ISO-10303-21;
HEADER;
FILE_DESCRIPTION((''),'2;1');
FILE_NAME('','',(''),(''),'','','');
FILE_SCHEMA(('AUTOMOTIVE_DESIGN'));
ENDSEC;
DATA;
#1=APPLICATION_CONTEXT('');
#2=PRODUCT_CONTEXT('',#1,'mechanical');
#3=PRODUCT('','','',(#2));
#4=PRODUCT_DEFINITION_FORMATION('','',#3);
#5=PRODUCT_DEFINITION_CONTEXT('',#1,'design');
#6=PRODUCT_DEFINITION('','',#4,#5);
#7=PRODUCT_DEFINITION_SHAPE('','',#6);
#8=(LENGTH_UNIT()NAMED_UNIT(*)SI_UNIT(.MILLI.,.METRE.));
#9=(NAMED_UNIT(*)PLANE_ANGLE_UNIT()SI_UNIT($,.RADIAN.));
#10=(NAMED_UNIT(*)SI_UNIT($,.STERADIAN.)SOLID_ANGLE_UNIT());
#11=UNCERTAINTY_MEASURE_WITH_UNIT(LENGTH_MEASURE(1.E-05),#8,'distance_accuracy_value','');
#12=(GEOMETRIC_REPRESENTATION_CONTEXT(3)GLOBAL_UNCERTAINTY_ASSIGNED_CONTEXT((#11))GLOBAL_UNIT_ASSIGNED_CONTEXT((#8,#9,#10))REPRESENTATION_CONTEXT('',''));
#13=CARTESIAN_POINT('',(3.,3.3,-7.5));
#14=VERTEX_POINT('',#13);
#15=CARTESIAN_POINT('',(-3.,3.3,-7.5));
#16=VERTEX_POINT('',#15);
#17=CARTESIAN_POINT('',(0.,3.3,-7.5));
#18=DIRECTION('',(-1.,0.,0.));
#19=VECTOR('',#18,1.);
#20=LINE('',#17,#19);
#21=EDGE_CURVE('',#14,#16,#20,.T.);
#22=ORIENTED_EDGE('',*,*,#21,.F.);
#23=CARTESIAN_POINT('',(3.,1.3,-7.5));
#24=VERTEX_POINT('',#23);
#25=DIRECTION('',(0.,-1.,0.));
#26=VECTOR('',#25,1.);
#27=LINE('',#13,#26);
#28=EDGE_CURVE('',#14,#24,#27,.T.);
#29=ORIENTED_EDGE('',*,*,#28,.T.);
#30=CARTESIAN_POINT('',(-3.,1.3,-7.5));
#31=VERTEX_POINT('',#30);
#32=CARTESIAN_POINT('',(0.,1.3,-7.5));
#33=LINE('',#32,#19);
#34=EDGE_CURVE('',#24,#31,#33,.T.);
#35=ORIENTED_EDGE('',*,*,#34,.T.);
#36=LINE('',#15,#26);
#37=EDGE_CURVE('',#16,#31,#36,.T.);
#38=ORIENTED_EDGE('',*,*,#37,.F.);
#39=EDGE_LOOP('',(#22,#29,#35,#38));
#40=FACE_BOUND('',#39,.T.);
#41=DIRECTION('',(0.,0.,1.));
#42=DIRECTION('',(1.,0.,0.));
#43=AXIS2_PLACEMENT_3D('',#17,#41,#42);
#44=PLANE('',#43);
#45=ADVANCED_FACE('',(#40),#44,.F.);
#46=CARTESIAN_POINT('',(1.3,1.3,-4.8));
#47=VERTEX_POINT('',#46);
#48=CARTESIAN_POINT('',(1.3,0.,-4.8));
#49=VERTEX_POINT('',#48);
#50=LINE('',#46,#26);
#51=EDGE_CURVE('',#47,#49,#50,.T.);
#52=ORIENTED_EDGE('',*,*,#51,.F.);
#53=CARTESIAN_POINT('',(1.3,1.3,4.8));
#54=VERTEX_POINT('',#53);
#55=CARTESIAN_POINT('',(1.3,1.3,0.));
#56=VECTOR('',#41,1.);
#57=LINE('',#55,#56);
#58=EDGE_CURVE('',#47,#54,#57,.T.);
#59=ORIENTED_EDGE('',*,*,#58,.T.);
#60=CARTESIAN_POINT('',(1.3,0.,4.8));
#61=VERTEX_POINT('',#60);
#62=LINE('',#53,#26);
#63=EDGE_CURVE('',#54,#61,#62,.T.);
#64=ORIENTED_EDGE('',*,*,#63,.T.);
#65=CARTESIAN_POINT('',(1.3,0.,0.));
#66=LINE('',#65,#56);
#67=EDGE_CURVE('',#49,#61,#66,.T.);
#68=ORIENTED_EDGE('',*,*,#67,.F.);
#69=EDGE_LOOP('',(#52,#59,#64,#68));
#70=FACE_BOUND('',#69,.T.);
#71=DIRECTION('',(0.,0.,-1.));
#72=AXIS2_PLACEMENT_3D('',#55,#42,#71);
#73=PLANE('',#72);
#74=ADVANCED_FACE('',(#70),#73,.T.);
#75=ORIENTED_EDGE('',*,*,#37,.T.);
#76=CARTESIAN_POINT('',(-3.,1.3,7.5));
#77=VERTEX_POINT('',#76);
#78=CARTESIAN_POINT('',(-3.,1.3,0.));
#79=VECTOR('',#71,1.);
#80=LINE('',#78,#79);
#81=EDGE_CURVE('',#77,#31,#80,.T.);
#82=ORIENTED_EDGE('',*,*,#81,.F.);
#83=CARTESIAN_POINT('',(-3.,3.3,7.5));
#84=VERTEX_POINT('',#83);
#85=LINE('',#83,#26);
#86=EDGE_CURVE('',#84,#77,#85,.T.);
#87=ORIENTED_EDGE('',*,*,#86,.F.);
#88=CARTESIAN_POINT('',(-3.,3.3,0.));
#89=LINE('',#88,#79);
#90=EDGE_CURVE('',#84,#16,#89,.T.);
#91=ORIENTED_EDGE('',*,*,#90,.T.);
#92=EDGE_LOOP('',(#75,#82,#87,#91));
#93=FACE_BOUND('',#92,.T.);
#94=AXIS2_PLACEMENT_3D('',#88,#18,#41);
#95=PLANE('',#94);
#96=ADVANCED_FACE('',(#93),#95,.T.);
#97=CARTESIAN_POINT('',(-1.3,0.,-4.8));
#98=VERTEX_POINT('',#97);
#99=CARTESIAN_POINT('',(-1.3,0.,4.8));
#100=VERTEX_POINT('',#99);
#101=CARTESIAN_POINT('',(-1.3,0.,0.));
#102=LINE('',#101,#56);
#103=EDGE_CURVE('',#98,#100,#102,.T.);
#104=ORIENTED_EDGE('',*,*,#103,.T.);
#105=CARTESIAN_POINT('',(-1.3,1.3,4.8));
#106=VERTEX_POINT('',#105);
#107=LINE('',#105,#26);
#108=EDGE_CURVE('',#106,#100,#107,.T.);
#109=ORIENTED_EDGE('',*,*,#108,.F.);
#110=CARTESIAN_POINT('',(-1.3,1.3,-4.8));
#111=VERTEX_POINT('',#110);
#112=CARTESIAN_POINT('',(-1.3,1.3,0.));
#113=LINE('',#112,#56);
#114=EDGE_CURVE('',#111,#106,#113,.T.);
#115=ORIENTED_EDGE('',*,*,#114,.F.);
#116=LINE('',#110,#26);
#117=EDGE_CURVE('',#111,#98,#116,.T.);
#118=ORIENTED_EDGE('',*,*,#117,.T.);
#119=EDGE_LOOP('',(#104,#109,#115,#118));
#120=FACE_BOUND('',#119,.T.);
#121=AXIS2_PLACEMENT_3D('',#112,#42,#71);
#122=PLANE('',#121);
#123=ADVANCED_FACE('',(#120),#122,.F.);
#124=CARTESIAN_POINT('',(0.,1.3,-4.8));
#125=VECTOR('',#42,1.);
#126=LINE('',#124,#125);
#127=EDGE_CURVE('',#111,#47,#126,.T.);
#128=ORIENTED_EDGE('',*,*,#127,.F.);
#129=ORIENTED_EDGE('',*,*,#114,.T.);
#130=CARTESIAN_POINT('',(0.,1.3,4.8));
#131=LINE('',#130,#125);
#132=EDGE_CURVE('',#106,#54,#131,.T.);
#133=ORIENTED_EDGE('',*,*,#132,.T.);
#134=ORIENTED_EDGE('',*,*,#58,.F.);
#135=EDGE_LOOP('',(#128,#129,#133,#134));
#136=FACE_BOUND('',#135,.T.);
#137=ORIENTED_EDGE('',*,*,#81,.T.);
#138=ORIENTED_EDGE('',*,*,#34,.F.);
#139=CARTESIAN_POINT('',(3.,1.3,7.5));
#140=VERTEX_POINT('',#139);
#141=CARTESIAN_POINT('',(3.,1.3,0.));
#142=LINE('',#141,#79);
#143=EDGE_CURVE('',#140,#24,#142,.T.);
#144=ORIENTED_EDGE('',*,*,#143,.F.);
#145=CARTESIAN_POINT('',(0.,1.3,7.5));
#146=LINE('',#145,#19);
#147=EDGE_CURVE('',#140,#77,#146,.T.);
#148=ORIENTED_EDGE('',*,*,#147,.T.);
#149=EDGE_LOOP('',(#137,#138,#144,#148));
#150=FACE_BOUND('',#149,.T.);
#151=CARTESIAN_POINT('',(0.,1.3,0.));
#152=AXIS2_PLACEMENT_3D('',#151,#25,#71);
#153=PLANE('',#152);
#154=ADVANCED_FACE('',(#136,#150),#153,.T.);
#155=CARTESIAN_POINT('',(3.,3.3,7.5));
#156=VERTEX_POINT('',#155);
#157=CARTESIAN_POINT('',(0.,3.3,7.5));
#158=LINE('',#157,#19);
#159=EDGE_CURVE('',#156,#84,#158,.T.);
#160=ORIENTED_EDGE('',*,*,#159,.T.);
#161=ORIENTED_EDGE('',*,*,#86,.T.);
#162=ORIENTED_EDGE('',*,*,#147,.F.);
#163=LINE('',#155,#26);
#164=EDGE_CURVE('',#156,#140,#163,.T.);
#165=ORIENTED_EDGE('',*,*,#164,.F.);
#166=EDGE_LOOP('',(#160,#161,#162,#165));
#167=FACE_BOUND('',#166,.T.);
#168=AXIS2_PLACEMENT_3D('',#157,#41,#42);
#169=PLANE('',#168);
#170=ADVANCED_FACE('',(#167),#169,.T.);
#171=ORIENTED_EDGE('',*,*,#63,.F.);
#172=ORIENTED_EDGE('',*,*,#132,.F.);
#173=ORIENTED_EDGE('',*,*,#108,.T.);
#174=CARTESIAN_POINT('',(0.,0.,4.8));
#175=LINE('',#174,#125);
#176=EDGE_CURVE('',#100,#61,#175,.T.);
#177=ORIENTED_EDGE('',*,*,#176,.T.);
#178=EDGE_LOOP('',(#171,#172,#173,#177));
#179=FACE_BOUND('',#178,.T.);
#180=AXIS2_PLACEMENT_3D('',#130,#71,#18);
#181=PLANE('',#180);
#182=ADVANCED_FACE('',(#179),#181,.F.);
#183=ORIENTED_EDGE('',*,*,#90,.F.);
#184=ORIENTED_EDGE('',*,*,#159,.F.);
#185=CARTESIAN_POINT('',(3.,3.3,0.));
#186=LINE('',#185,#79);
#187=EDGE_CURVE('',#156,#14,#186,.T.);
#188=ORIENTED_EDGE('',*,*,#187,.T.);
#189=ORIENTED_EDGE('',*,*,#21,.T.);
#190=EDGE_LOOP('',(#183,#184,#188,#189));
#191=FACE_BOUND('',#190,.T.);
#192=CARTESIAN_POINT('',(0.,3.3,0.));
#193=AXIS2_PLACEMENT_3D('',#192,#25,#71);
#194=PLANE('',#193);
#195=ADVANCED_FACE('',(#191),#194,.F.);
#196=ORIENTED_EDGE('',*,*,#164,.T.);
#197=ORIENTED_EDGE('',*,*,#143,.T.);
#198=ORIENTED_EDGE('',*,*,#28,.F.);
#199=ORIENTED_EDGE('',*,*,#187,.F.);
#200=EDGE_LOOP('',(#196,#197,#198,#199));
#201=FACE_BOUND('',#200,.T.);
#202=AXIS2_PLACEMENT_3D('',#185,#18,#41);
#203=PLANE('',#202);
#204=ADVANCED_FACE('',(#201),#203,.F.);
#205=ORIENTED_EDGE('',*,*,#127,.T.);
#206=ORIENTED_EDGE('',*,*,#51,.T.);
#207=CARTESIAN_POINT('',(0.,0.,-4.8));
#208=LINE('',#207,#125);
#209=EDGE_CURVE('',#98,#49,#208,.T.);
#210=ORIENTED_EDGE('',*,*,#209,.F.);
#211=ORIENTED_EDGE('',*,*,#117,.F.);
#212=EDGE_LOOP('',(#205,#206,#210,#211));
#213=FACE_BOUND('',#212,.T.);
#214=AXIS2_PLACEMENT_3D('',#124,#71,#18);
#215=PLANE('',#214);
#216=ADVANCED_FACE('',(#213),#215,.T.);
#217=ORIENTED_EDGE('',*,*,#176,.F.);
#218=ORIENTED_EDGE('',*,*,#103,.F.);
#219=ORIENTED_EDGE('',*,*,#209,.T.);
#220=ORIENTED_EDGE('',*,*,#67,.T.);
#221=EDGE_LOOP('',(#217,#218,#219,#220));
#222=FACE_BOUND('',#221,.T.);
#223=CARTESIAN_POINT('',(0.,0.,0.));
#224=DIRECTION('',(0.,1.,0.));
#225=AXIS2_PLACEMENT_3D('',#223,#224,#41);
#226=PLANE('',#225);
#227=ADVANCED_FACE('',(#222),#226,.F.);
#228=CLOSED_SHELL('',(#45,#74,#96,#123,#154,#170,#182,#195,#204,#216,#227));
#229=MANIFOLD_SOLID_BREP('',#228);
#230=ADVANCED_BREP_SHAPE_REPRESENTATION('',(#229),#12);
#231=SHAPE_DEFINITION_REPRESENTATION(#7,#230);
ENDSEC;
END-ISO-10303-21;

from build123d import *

# Parameters (mm, degrees)
SKETCH_1_W      = 2.6
SKETCH_1_H      = 9.6
EXTRUDE_1_DEPTH = 1.3
EXTRUDE_START   = 1.3
SKETCH_1_3_W    = 6
SKETCH_1_3_H    = 15
SKETCH_1_3_W_2  = 2.6
SKETCH_1_3_H_2  = 9.6
EXTRUDE_2_DEPTH = 2


with BuildPart() as part:
    # 草图1 → 凸台-拉伸1 (new body)
    with BuildSketch(Plane(origin=(0, 0, 0), x_dir=(1, 0, 0), z_dir=(0, 1, 0))):
        Rectangle(SKETCH_1_W, SKETCH_1_H)
    extrude(amount=EXTRUDE_1_DEPTH)

    # 草图1<3> → 凸台-拉伸2 (add)
    # profile 1 of 2: a face of its own
    with BuildSketch(Plane(origin=(0, 0, 0), x_dir=(1, 0, 0), z_dir=(0, 1, 0)).offset(EXTRUDE_START)):
        Rectangle(SKETCH_1_3_W, SKETCH_1_3_H)
        Rectangle(SKETCH_1_3_W_2, SKETCH_1_3_H_2, mode=Mode.SUBTRACT)
    # profile 2 of 2: a face of its own
    with BuildSketch(Plane(origin=(0, 0, 0), x_dir=(1, 0, 0), z_dir=(0, 1, 0)).offset(EXTRUDE_START)):
        Rectangle(SKETCH_1_3_W_2, SKETCH_1_3_H_2)
    extrude(amount=EXTRUDE_2_DEPTH)


solid = part.part
